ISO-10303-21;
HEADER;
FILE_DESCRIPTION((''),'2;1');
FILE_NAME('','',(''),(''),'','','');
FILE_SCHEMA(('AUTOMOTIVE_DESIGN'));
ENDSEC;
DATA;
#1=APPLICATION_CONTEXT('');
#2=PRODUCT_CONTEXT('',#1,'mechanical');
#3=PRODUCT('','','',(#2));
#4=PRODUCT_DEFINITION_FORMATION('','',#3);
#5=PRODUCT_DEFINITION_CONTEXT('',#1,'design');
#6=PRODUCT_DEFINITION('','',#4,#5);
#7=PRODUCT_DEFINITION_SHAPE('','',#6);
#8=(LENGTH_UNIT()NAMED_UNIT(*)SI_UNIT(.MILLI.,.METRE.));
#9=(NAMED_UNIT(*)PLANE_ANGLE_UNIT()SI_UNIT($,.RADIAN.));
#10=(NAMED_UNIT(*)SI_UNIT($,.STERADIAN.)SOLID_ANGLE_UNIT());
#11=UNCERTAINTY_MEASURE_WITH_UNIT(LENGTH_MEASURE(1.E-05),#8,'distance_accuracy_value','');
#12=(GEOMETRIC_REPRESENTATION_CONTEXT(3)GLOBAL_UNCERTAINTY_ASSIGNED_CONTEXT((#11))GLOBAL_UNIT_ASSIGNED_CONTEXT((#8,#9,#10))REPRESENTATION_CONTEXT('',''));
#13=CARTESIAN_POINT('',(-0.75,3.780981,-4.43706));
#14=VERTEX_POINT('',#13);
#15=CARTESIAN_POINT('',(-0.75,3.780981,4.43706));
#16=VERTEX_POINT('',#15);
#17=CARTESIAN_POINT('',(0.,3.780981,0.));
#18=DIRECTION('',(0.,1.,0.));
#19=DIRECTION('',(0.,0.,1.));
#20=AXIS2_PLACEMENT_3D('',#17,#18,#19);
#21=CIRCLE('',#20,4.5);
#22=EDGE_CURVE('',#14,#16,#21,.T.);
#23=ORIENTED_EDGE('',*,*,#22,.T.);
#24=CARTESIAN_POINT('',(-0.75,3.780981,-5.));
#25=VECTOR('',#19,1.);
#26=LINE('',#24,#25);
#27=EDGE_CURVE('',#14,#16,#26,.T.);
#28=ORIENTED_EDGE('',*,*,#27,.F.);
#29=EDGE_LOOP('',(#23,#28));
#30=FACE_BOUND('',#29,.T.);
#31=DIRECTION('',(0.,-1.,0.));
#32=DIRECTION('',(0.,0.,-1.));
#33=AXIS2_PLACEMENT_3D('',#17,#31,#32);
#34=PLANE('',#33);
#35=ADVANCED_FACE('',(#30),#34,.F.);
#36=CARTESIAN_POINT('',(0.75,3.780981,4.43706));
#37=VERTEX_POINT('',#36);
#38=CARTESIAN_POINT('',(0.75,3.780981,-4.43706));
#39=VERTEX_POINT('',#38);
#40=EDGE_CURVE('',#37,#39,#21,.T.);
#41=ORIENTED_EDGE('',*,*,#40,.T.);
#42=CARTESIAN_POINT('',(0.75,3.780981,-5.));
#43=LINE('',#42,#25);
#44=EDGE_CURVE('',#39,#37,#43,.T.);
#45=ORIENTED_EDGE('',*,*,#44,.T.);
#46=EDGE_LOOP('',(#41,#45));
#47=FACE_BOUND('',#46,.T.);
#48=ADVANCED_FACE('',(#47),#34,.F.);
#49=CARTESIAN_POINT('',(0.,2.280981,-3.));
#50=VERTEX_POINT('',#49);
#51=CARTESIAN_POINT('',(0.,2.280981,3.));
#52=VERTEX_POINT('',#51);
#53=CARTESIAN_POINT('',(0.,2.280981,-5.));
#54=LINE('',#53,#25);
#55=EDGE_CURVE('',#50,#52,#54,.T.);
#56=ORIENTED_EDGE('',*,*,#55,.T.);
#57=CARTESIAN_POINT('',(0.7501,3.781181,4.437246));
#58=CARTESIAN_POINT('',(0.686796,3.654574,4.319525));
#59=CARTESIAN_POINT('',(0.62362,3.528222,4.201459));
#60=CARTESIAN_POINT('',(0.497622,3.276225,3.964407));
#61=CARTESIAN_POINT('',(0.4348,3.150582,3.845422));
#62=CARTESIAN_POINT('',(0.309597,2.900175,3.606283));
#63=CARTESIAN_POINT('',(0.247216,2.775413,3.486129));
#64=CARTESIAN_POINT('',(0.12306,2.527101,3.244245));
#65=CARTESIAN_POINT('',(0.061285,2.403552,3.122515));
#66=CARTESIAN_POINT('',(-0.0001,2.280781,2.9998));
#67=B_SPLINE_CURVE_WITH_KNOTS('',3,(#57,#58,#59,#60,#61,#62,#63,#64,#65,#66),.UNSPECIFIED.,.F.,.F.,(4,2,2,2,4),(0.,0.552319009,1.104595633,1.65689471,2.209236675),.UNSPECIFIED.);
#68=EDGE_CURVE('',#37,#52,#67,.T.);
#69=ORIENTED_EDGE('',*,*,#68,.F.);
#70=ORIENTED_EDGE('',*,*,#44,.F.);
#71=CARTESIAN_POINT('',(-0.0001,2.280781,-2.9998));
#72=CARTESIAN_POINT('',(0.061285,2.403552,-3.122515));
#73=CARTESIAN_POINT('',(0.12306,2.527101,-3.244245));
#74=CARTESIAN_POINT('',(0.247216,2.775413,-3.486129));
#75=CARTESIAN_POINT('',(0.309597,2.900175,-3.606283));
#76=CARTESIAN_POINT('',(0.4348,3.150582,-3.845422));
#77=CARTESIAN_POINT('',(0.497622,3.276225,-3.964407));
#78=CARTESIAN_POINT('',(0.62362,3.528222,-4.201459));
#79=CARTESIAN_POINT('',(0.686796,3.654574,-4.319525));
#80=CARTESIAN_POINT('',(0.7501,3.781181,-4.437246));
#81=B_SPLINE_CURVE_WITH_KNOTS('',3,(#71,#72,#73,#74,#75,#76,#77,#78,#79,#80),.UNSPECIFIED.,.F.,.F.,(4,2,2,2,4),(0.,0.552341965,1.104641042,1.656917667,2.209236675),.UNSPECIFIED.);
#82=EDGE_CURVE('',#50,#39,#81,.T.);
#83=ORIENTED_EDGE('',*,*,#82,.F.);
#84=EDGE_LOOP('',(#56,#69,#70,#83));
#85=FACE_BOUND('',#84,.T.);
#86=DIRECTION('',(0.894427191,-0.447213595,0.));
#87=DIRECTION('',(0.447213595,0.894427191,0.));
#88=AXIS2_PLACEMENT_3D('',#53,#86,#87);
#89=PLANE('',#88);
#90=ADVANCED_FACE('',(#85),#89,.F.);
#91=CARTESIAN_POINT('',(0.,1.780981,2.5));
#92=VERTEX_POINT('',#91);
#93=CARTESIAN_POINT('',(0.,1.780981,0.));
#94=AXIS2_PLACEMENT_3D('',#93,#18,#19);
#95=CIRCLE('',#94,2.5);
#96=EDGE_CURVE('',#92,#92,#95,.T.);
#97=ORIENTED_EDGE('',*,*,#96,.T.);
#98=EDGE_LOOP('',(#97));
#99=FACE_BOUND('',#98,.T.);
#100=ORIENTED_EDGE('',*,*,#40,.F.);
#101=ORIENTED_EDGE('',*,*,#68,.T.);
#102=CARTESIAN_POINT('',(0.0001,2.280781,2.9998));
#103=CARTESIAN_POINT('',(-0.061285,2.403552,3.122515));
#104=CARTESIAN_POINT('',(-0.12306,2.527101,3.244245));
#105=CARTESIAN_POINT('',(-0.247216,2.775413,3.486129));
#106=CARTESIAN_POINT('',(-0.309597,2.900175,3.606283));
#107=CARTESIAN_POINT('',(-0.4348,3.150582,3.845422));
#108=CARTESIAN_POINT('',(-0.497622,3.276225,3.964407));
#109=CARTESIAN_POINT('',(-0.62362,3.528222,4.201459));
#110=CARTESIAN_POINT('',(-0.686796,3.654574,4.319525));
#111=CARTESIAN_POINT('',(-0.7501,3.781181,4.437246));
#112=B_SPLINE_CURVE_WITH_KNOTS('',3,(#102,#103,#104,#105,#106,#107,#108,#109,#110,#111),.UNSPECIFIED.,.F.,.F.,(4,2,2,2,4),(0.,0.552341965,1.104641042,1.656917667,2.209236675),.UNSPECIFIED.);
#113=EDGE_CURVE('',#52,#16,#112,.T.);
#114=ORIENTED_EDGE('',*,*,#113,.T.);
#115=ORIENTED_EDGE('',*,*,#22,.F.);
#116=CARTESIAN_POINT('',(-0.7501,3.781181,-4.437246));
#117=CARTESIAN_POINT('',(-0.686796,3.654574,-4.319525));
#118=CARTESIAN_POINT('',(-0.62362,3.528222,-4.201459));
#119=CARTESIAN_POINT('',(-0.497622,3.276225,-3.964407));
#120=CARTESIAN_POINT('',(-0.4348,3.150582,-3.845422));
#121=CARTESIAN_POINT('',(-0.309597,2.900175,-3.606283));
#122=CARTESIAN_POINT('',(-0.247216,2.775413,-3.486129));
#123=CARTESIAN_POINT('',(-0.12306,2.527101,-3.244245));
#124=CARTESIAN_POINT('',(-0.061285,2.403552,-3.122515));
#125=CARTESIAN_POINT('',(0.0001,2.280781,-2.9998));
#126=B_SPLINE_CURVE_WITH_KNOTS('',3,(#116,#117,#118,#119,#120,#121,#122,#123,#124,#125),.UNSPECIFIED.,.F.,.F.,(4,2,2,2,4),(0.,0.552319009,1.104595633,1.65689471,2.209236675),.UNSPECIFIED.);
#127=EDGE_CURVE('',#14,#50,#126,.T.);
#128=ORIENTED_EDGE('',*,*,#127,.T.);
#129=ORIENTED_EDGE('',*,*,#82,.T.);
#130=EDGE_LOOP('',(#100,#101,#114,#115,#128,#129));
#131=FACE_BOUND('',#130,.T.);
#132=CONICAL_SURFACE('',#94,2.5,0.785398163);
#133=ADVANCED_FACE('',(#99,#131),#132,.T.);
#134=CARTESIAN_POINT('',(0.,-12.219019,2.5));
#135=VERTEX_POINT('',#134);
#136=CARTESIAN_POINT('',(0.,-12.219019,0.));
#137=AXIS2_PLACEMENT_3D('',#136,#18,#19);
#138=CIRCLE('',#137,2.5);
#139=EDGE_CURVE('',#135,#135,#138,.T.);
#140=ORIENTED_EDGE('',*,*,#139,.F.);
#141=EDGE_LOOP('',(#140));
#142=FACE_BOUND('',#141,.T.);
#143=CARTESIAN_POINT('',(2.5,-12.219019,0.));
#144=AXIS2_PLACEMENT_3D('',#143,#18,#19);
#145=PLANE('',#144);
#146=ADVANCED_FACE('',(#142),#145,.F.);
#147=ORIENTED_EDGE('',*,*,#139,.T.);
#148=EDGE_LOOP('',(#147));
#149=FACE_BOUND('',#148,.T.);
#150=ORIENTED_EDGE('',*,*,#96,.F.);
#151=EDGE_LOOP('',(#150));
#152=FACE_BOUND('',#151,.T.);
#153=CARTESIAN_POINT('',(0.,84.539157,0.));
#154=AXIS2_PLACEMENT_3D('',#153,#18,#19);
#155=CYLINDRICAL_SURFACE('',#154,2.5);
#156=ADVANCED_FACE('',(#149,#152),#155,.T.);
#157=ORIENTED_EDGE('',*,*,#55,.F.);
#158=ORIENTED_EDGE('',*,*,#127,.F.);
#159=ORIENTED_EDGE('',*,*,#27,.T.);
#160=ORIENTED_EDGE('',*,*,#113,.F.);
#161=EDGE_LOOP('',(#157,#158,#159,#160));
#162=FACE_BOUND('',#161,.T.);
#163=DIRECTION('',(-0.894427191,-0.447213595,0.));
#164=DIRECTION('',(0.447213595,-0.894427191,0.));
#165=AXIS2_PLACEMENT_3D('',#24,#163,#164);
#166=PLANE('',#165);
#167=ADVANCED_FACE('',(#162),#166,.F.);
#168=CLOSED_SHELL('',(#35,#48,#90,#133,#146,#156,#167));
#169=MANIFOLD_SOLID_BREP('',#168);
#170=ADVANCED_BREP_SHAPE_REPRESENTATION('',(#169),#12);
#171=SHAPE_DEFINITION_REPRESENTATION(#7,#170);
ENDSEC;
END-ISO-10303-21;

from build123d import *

# Parameters (mm, degrees)
EXTRUDE1_DEPTH = 5


with BuildPart() as part:
    # Sketch1 → Revolve1 (revolve)
    with BuildSketch(Plane.XY, mode=Mode.PRIVATE) as revolve1_sk:
        Polygon((0, 3.780981067), (4.5, 3.780981067), (2.5, 1.780981067), (2.5, -12.219018933), (0, -12.219018933), align=None)
    revolve(revolve1_sk.sketch.rotate(Axis((0, 84.539156627, 0), (0, -1, 0)), 90), axis=Axis((0, 84.539156627, 0), (0, -1, 0)))

    # Sketch2 → Extrude1 (cut, symmetric)
    with BuildSketch(Plane.XY):
        Polygon((-0.75, 3.780981067), (0, 2.280981067), (0.75, 3.780981067), align=None)
    extrude(amount=EXTRUDE1_DEPTH, both=True, mode=Mode.SUBTRACT)


solid = part.part
